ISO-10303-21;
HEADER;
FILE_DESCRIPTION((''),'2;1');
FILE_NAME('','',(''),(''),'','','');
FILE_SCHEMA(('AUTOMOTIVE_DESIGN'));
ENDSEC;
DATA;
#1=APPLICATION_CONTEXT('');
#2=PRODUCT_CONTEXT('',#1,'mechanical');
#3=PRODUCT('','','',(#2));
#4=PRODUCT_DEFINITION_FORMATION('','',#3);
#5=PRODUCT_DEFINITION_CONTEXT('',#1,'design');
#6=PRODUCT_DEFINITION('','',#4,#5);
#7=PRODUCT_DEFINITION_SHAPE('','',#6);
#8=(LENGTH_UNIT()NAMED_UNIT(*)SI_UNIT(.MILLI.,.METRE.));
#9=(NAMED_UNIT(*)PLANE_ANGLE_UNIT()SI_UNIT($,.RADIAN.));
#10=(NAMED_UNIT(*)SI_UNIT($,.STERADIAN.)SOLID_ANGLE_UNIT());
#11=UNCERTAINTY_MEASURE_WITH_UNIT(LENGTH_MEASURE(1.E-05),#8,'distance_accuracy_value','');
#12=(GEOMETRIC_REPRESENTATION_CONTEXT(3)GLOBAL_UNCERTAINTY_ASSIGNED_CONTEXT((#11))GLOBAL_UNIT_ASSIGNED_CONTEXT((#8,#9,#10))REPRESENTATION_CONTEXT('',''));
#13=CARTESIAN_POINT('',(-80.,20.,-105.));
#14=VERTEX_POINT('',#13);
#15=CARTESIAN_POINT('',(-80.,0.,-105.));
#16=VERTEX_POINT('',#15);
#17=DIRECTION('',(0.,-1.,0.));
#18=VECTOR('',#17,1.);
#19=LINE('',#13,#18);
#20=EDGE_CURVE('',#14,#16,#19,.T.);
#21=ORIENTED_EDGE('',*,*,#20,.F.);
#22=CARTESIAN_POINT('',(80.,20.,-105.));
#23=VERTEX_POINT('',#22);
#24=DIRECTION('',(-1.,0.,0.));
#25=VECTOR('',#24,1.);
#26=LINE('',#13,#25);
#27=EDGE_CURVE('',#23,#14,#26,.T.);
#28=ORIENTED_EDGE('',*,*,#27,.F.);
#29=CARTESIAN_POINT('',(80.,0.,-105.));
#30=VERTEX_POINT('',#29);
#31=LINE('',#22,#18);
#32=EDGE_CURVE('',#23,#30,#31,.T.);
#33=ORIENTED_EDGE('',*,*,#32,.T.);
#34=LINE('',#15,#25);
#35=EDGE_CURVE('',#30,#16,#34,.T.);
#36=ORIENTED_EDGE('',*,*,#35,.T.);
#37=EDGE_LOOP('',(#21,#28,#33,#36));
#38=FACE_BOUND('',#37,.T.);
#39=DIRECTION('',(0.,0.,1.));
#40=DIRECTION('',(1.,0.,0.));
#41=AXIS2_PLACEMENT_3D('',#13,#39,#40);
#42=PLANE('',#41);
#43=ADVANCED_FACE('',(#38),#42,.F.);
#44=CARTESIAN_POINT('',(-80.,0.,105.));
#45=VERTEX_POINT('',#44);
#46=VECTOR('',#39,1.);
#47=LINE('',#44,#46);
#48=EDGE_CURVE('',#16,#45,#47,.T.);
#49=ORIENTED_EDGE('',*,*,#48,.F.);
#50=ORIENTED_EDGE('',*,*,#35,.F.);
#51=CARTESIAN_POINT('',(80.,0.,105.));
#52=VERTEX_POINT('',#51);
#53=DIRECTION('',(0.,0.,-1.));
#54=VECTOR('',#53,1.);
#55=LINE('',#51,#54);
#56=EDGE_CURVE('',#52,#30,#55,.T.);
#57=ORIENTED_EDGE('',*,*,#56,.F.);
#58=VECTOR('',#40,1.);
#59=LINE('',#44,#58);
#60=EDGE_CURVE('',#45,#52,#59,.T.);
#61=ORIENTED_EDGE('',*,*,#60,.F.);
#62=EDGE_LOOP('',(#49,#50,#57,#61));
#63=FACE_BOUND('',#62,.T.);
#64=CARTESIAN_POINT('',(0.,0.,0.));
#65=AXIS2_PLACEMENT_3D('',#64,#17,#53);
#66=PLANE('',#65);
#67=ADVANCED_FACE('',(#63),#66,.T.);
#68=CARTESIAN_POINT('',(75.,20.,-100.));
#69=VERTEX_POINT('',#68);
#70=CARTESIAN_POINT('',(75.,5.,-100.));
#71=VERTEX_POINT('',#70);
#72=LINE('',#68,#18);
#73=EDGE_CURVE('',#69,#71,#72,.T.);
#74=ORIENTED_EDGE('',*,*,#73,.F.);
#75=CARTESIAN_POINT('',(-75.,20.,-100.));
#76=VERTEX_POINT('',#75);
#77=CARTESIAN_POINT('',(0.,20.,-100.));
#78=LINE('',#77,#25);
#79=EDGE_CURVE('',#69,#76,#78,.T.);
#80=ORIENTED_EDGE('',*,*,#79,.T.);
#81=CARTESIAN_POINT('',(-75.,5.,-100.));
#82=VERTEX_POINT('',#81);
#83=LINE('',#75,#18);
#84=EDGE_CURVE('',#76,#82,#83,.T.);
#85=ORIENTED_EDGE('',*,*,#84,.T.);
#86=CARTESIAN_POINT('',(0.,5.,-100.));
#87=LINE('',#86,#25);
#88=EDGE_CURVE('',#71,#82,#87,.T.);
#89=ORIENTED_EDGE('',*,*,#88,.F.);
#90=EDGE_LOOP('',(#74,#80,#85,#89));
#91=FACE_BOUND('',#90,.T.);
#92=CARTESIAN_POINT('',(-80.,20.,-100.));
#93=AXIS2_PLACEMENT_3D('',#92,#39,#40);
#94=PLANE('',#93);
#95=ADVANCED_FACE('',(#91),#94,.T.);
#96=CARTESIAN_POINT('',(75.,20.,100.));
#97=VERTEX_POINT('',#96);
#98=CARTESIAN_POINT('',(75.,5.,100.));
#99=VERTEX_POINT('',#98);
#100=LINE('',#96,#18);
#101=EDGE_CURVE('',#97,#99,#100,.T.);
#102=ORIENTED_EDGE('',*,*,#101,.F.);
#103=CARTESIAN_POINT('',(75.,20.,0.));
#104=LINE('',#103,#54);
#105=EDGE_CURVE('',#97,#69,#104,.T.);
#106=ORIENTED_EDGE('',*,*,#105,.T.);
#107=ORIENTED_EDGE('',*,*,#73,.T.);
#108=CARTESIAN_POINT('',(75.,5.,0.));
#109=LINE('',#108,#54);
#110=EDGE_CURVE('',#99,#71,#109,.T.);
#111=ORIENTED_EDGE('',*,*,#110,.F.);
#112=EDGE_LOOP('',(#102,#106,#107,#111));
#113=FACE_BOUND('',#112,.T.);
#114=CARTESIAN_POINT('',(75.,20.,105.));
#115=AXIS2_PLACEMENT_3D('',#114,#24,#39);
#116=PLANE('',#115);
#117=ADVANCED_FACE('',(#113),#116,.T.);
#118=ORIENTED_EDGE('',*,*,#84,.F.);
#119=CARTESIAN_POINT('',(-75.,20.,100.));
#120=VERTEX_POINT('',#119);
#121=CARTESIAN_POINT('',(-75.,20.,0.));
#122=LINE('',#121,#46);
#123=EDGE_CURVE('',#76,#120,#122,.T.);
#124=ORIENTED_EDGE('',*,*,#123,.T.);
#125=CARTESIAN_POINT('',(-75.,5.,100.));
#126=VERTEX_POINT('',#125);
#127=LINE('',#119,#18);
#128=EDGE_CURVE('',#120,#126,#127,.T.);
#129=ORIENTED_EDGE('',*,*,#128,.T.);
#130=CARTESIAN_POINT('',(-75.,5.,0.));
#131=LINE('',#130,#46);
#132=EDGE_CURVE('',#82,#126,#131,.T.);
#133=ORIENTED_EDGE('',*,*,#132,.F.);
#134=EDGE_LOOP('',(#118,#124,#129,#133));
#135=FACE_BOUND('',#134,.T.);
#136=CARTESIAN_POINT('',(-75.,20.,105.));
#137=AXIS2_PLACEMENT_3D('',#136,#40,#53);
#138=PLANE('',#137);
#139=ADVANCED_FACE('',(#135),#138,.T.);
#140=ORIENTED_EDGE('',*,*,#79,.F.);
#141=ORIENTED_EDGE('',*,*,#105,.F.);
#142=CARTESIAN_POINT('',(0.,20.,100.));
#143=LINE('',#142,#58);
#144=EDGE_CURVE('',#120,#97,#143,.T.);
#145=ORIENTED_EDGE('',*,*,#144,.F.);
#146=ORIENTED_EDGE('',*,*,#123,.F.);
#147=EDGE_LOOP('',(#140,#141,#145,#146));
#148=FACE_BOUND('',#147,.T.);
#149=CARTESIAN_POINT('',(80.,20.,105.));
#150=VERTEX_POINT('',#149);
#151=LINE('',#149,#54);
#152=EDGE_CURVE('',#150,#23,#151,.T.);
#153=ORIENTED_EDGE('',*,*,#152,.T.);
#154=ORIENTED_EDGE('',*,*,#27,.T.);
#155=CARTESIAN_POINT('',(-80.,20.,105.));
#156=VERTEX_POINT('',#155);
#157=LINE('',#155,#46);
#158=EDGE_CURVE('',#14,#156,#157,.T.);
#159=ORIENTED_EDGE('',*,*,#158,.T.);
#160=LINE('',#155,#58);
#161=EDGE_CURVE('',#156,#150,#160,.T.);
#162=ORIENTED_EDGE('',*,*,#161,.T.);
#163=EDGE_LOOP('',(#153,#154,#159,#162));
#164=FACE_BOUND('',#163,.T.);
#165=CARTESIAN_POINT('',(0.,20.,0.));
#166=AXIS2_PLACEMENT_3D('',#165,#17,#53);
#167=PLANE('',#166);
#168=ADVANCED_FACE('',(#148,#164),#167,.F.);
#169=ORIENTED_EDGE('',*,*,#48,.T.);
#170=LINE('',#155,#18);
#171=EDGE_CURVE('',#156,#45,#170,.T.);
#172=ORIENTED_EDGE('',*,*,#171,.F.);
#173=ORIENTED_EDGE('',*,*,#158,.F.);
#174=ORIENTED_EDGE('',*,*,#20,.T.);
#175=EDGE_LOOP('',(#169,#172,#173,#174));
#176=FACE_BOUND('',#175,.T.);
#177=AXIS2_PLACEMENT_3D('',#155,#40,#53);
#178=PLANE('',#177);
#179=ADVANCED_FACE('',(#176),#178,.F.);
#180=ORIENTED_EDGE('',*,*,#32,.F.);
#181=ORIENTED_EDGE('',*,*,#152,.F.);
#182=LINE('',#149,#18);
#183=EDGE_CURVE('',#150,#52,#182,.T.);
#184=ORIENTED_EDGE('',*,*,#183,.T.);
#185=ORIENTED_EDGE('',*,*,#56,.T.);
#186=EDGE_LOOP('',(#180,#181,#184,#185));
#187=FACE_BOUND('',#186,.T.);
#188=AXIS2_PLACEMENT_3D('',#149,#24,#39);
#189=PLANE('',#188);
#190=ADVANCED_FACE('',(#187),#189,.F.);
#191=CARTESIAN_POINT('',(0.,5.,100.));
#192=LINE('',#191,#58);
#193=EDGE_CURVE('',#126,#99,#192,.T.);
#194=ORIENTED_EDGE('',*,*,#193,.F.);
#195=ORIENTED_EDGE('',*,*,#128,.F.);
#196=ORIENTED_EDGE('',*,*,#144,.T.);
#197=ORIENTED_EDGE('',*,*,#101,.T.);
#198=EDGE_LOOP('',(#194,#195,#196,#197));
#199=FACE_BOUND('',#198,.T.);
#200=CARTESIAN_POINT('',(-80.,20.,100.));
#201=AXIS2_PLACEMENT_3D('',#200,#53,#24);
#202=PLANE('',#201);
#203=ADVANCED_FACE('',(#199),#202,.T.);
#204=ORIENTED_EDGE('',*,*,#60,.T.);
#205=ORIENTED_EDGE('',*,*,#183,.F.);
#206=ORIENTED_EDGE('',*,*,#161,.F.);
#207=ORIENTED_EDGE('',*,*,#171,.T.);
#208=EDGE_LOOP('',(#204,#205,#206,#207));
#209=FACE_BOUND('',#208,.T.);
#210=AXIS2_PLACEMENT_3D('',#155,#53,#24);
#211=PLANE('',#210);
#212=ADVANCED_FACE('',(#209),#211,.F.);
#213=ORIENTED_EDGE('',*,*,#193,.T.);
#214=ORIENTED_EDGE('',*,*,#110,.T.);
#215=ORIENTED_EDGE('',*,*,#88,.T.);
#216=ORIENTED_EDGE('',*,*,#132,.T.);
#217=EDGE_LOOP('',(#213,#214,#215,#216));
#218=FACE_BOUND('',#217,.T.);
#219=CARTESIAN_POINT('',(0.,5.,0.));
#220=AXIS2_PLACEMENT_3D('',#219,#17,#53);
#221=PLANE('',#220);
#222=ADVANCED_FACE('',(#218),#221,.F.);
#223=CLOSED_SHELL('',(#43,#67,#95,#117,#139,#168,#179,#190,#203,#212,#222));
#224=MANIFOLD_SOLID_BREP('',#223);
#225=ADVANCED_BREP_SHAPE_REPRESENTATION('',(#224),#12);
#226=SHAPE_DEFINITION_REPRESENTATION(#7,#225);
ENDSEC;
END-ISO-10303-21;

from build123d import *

# Parameters (mm, degrees)
SKETCH1_W           = 160
SKETCH1_H           = 210
BOSS_EXTRUDE1_DEPTH = 20
SHELL1_T            = -5


with BuildPart() as part:
    # Sketch1 → Boss-Extrude1 (new body)
    with BuildSketch(Plane(origin=(0, 0, 0), x_dir=(1, 0, 0), z_dir=(0, 1, 0))):
        Rectangle(SKETCH1_W, SKETCH1_H)
    extrude(amount=BOSS_EXTRUDE1_DEPTH)

    # Shell1
    shell1_openings = [part.faces().sort_by_distance(p)[0] for p in [
        (0, 20, 0),
    ]]
    offset(amount=SHELL1_T, openings=shell1_openings, kind=Kind.INTERSECTION)


solid = part.part
